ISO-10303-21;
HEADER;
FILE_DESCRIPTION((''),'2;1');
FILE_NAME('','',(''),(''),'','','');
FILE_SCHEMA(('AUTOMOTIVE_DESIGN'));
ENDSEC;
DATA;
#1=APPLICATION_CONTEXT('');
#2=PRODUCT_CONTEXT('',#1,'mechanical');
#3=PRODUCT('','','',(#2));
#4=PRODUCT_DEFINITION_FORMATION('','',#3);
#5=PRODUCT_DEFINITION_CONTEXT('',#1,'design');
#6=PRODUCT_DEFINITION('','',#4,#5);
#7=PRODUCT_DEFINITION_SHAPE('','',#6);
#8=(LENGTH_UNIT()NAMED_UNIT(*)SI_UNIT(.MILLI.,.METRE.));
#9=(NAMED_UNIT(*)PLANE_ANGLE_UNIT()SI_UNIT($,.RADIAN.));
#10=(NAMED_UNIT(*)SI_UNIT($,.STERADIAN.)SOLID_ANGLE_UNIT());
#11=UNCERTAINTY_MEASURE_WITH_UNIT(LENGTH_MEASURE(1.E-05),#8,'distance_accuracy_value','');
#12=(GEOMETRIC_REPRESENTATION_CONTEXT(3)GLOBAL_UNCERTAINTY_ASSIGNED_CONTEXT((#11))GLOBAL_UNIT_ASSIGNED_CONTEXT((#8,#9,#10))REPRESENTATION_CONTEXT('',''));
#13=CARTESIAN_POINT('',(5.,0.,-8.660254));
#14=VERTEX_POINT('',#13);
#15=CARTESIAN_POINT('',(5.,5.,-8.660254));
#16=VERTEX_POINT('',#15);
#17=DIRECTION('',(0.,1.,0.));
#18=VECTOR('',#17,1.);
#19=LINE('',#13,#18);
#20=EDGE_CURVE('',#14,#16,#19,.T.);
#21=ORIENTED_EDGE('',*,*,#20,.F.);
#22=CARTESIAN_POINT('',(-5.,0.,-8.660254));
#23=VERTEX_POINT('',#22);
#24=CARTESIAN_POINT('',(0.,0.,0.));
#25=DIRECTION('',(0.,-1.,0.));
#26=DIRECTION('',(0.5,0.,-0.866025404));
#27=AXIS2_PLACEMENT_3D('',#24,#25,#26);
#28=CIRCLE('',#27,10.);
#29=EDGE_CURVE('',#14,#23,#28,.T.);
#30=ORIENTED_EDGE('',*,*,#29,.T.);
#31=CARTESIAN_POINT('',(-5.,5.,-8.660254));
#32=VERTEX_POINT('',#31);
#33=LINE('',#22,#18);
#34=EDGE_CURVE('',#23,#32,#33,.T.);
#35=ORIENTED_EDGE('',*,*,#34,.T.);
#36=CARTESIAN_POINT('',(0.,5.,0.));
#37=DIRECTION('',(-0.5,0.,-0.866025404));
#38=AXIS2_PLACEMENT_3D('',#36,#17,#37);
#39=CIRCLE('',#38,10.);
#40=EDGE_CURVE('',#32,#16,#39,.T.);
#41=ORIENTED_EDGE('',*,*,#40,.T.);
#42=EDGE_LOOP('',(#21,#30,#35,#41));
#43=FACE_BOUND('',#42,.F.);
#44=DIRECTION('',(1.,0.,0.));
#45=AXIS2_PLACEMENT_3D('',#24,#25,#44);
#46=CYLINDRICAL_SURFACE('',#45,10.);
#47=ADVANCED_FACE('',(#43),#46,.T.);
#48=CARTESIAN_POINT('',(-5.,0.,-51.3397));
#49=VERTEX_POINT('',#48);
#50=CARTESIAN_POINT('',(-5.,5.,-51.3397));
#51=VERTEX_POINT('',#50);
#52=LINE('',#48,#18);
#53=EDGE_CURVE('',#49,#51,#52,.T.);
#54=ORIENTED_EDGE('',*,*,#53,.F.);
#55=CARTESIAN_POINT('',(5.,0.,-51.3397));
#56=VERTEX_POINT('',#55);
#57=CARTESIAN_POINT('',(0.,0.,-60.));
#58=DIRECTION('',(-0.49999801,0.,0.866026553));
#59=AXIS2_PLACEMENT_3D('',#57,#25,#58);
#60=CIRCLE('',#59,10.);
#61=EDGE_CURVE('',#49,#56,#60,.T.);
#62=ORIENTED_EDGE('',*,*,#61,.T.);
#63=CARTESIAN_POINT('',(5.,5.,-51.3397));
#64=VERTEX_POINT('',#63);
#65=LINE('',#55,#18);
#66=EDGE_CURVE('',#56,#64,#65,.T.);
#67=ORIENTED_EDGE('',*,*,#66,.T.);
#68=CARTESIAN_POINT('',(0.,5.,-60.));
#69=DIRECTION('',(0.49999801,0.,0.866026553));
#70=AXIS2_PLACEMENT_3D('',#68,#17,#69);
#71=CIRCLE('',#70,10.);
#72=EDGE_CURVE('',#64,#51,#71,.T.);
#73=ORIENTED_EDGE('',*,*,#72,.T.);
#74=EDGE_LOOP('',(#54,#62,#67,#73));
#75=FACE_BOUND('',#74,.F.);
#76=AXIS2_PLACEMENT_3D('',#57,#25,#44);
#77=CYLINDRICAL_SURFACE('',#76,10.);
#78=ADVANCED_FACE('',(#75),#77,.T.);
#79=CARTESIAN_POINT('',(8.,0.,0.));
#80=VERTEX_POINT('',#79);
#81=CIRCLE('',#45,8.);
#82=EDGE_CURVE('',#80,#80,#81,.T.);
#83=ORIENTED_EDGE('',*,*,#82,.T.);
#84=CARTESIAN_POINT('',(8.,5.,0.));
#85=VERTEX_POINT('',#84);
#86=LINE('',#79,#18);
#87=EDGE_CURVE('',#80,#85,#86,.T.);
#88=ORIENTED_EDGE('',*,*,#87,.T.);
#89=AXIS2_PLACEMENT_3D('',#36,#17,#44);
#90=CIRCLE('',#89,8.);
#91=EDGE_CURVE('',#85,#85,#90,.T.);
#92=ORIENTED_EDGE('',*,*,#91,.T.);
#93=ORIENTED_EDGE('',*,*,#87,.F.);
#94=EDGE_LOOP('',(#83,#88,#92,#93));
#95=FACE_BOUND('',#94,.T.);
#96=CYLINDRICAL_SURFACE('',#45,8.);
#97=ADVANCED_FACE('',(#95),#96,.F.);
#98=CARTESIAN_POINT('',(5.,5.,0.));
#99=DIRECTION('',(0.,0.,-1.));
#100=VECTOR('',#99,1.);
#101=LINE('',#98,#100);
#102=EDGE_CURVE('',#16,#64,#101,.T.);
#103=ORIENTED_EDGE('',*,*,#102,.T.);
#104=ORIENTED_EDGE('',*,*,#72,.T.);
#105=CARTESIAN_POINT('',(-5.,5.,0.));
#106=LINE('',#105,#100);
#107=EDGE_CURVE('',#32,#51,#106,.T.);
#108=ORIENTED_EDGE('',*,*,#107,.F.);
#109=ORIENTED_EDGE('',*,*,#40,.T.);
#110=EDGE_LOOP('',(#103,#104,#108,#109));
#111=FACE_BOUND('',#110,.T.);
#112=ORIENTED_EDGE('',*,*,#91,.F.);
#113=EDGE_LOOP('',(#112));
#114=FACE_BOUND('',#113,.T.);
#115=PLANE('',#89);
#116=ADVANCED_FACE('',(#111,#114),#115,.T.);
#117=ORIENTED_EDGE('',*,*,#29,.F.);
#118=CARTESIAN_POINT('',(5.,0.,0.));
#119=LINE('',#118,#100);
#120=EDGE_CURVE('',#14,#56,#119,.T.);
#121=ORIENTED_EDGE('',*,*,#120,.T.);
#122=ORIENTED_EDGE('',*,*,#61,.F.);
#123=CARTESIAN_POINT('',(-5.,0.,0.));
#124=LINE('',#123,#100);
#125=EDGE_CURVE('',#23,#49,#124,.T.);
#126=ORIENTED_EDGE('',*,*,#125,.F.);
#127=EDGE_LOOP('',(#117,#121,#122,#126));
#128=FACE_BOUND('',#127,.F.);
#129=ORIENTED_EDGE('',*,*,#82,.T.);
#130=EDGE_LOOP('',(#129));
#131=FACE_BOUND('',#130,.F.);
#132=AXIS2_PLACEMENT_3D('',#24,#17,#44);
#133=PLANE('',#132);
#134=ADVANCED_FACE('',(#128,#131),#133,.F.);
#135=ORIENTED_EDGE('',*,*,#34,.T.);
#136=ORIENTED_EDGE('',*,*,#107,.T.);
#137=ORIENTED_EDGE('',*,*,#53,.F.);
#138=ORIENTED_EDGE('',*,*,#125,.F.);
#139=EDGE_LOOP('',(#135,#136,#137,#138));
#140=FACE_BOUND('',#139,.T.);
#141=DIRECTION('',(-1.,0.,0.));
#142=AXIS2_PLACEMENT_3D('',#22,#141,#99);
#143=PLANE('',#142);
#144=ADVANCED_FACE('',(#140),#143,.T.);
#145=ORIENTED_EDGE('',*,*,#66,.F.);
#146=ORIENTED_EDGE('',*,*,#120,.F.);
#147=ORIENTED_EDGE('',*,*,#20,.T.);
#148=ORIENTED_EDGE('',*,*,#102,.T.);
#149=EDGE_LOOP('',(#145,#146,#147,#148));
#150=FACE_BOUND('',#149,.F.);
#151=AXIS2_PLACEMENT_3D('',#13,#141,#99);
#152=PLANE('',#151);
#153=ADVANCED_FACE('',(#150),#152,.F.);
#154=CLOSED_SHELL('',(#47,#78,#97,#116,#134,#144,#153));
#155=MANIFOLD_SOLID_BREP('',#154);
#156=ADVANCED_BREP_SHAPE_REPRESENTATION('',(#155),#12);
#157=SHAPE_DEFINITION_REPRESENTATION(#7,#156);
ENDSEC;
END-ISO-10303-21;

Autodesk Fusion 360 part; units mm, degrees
sketch "Boceto1" plane through (0, 0, 0) normal (0, 1, 0) x (1, 0, 0)
  circle A0 centre (0, 0) radius 8
  circle A1 centre (0, 0) radius 10
  line L0 (0, 0) -> (0, 70)
  line L1 (0, 70) -> (0, 60)
  circle A2 centre (0, 60) radius 10
  line L2 (0, 0) -> (-5, 0)
  line L3 (-5, 0) -> (-5, 51.3397)
  line L4 (0, 0) -> (5, 0)
  line L5 (5, 0) -> (5, 51.3397)
  dimension "d1" = 16
  dimension "d2" = 70
extrude "Extruir1" add sketch "Boceto1" along normal blind 5 contours A0 A1 L3 L5 | A0 A1 L0 L5 | A0 A1 L0 L3 | A1 L0 A2 L5 | A1 L0 A2 L3 | L0 L1 A2 | L0 L1 A2
ref_plane "PlanoDeObra1" through (0, 2.5396, -70) normal (0, 0, -1) x (1, 0, 0)
